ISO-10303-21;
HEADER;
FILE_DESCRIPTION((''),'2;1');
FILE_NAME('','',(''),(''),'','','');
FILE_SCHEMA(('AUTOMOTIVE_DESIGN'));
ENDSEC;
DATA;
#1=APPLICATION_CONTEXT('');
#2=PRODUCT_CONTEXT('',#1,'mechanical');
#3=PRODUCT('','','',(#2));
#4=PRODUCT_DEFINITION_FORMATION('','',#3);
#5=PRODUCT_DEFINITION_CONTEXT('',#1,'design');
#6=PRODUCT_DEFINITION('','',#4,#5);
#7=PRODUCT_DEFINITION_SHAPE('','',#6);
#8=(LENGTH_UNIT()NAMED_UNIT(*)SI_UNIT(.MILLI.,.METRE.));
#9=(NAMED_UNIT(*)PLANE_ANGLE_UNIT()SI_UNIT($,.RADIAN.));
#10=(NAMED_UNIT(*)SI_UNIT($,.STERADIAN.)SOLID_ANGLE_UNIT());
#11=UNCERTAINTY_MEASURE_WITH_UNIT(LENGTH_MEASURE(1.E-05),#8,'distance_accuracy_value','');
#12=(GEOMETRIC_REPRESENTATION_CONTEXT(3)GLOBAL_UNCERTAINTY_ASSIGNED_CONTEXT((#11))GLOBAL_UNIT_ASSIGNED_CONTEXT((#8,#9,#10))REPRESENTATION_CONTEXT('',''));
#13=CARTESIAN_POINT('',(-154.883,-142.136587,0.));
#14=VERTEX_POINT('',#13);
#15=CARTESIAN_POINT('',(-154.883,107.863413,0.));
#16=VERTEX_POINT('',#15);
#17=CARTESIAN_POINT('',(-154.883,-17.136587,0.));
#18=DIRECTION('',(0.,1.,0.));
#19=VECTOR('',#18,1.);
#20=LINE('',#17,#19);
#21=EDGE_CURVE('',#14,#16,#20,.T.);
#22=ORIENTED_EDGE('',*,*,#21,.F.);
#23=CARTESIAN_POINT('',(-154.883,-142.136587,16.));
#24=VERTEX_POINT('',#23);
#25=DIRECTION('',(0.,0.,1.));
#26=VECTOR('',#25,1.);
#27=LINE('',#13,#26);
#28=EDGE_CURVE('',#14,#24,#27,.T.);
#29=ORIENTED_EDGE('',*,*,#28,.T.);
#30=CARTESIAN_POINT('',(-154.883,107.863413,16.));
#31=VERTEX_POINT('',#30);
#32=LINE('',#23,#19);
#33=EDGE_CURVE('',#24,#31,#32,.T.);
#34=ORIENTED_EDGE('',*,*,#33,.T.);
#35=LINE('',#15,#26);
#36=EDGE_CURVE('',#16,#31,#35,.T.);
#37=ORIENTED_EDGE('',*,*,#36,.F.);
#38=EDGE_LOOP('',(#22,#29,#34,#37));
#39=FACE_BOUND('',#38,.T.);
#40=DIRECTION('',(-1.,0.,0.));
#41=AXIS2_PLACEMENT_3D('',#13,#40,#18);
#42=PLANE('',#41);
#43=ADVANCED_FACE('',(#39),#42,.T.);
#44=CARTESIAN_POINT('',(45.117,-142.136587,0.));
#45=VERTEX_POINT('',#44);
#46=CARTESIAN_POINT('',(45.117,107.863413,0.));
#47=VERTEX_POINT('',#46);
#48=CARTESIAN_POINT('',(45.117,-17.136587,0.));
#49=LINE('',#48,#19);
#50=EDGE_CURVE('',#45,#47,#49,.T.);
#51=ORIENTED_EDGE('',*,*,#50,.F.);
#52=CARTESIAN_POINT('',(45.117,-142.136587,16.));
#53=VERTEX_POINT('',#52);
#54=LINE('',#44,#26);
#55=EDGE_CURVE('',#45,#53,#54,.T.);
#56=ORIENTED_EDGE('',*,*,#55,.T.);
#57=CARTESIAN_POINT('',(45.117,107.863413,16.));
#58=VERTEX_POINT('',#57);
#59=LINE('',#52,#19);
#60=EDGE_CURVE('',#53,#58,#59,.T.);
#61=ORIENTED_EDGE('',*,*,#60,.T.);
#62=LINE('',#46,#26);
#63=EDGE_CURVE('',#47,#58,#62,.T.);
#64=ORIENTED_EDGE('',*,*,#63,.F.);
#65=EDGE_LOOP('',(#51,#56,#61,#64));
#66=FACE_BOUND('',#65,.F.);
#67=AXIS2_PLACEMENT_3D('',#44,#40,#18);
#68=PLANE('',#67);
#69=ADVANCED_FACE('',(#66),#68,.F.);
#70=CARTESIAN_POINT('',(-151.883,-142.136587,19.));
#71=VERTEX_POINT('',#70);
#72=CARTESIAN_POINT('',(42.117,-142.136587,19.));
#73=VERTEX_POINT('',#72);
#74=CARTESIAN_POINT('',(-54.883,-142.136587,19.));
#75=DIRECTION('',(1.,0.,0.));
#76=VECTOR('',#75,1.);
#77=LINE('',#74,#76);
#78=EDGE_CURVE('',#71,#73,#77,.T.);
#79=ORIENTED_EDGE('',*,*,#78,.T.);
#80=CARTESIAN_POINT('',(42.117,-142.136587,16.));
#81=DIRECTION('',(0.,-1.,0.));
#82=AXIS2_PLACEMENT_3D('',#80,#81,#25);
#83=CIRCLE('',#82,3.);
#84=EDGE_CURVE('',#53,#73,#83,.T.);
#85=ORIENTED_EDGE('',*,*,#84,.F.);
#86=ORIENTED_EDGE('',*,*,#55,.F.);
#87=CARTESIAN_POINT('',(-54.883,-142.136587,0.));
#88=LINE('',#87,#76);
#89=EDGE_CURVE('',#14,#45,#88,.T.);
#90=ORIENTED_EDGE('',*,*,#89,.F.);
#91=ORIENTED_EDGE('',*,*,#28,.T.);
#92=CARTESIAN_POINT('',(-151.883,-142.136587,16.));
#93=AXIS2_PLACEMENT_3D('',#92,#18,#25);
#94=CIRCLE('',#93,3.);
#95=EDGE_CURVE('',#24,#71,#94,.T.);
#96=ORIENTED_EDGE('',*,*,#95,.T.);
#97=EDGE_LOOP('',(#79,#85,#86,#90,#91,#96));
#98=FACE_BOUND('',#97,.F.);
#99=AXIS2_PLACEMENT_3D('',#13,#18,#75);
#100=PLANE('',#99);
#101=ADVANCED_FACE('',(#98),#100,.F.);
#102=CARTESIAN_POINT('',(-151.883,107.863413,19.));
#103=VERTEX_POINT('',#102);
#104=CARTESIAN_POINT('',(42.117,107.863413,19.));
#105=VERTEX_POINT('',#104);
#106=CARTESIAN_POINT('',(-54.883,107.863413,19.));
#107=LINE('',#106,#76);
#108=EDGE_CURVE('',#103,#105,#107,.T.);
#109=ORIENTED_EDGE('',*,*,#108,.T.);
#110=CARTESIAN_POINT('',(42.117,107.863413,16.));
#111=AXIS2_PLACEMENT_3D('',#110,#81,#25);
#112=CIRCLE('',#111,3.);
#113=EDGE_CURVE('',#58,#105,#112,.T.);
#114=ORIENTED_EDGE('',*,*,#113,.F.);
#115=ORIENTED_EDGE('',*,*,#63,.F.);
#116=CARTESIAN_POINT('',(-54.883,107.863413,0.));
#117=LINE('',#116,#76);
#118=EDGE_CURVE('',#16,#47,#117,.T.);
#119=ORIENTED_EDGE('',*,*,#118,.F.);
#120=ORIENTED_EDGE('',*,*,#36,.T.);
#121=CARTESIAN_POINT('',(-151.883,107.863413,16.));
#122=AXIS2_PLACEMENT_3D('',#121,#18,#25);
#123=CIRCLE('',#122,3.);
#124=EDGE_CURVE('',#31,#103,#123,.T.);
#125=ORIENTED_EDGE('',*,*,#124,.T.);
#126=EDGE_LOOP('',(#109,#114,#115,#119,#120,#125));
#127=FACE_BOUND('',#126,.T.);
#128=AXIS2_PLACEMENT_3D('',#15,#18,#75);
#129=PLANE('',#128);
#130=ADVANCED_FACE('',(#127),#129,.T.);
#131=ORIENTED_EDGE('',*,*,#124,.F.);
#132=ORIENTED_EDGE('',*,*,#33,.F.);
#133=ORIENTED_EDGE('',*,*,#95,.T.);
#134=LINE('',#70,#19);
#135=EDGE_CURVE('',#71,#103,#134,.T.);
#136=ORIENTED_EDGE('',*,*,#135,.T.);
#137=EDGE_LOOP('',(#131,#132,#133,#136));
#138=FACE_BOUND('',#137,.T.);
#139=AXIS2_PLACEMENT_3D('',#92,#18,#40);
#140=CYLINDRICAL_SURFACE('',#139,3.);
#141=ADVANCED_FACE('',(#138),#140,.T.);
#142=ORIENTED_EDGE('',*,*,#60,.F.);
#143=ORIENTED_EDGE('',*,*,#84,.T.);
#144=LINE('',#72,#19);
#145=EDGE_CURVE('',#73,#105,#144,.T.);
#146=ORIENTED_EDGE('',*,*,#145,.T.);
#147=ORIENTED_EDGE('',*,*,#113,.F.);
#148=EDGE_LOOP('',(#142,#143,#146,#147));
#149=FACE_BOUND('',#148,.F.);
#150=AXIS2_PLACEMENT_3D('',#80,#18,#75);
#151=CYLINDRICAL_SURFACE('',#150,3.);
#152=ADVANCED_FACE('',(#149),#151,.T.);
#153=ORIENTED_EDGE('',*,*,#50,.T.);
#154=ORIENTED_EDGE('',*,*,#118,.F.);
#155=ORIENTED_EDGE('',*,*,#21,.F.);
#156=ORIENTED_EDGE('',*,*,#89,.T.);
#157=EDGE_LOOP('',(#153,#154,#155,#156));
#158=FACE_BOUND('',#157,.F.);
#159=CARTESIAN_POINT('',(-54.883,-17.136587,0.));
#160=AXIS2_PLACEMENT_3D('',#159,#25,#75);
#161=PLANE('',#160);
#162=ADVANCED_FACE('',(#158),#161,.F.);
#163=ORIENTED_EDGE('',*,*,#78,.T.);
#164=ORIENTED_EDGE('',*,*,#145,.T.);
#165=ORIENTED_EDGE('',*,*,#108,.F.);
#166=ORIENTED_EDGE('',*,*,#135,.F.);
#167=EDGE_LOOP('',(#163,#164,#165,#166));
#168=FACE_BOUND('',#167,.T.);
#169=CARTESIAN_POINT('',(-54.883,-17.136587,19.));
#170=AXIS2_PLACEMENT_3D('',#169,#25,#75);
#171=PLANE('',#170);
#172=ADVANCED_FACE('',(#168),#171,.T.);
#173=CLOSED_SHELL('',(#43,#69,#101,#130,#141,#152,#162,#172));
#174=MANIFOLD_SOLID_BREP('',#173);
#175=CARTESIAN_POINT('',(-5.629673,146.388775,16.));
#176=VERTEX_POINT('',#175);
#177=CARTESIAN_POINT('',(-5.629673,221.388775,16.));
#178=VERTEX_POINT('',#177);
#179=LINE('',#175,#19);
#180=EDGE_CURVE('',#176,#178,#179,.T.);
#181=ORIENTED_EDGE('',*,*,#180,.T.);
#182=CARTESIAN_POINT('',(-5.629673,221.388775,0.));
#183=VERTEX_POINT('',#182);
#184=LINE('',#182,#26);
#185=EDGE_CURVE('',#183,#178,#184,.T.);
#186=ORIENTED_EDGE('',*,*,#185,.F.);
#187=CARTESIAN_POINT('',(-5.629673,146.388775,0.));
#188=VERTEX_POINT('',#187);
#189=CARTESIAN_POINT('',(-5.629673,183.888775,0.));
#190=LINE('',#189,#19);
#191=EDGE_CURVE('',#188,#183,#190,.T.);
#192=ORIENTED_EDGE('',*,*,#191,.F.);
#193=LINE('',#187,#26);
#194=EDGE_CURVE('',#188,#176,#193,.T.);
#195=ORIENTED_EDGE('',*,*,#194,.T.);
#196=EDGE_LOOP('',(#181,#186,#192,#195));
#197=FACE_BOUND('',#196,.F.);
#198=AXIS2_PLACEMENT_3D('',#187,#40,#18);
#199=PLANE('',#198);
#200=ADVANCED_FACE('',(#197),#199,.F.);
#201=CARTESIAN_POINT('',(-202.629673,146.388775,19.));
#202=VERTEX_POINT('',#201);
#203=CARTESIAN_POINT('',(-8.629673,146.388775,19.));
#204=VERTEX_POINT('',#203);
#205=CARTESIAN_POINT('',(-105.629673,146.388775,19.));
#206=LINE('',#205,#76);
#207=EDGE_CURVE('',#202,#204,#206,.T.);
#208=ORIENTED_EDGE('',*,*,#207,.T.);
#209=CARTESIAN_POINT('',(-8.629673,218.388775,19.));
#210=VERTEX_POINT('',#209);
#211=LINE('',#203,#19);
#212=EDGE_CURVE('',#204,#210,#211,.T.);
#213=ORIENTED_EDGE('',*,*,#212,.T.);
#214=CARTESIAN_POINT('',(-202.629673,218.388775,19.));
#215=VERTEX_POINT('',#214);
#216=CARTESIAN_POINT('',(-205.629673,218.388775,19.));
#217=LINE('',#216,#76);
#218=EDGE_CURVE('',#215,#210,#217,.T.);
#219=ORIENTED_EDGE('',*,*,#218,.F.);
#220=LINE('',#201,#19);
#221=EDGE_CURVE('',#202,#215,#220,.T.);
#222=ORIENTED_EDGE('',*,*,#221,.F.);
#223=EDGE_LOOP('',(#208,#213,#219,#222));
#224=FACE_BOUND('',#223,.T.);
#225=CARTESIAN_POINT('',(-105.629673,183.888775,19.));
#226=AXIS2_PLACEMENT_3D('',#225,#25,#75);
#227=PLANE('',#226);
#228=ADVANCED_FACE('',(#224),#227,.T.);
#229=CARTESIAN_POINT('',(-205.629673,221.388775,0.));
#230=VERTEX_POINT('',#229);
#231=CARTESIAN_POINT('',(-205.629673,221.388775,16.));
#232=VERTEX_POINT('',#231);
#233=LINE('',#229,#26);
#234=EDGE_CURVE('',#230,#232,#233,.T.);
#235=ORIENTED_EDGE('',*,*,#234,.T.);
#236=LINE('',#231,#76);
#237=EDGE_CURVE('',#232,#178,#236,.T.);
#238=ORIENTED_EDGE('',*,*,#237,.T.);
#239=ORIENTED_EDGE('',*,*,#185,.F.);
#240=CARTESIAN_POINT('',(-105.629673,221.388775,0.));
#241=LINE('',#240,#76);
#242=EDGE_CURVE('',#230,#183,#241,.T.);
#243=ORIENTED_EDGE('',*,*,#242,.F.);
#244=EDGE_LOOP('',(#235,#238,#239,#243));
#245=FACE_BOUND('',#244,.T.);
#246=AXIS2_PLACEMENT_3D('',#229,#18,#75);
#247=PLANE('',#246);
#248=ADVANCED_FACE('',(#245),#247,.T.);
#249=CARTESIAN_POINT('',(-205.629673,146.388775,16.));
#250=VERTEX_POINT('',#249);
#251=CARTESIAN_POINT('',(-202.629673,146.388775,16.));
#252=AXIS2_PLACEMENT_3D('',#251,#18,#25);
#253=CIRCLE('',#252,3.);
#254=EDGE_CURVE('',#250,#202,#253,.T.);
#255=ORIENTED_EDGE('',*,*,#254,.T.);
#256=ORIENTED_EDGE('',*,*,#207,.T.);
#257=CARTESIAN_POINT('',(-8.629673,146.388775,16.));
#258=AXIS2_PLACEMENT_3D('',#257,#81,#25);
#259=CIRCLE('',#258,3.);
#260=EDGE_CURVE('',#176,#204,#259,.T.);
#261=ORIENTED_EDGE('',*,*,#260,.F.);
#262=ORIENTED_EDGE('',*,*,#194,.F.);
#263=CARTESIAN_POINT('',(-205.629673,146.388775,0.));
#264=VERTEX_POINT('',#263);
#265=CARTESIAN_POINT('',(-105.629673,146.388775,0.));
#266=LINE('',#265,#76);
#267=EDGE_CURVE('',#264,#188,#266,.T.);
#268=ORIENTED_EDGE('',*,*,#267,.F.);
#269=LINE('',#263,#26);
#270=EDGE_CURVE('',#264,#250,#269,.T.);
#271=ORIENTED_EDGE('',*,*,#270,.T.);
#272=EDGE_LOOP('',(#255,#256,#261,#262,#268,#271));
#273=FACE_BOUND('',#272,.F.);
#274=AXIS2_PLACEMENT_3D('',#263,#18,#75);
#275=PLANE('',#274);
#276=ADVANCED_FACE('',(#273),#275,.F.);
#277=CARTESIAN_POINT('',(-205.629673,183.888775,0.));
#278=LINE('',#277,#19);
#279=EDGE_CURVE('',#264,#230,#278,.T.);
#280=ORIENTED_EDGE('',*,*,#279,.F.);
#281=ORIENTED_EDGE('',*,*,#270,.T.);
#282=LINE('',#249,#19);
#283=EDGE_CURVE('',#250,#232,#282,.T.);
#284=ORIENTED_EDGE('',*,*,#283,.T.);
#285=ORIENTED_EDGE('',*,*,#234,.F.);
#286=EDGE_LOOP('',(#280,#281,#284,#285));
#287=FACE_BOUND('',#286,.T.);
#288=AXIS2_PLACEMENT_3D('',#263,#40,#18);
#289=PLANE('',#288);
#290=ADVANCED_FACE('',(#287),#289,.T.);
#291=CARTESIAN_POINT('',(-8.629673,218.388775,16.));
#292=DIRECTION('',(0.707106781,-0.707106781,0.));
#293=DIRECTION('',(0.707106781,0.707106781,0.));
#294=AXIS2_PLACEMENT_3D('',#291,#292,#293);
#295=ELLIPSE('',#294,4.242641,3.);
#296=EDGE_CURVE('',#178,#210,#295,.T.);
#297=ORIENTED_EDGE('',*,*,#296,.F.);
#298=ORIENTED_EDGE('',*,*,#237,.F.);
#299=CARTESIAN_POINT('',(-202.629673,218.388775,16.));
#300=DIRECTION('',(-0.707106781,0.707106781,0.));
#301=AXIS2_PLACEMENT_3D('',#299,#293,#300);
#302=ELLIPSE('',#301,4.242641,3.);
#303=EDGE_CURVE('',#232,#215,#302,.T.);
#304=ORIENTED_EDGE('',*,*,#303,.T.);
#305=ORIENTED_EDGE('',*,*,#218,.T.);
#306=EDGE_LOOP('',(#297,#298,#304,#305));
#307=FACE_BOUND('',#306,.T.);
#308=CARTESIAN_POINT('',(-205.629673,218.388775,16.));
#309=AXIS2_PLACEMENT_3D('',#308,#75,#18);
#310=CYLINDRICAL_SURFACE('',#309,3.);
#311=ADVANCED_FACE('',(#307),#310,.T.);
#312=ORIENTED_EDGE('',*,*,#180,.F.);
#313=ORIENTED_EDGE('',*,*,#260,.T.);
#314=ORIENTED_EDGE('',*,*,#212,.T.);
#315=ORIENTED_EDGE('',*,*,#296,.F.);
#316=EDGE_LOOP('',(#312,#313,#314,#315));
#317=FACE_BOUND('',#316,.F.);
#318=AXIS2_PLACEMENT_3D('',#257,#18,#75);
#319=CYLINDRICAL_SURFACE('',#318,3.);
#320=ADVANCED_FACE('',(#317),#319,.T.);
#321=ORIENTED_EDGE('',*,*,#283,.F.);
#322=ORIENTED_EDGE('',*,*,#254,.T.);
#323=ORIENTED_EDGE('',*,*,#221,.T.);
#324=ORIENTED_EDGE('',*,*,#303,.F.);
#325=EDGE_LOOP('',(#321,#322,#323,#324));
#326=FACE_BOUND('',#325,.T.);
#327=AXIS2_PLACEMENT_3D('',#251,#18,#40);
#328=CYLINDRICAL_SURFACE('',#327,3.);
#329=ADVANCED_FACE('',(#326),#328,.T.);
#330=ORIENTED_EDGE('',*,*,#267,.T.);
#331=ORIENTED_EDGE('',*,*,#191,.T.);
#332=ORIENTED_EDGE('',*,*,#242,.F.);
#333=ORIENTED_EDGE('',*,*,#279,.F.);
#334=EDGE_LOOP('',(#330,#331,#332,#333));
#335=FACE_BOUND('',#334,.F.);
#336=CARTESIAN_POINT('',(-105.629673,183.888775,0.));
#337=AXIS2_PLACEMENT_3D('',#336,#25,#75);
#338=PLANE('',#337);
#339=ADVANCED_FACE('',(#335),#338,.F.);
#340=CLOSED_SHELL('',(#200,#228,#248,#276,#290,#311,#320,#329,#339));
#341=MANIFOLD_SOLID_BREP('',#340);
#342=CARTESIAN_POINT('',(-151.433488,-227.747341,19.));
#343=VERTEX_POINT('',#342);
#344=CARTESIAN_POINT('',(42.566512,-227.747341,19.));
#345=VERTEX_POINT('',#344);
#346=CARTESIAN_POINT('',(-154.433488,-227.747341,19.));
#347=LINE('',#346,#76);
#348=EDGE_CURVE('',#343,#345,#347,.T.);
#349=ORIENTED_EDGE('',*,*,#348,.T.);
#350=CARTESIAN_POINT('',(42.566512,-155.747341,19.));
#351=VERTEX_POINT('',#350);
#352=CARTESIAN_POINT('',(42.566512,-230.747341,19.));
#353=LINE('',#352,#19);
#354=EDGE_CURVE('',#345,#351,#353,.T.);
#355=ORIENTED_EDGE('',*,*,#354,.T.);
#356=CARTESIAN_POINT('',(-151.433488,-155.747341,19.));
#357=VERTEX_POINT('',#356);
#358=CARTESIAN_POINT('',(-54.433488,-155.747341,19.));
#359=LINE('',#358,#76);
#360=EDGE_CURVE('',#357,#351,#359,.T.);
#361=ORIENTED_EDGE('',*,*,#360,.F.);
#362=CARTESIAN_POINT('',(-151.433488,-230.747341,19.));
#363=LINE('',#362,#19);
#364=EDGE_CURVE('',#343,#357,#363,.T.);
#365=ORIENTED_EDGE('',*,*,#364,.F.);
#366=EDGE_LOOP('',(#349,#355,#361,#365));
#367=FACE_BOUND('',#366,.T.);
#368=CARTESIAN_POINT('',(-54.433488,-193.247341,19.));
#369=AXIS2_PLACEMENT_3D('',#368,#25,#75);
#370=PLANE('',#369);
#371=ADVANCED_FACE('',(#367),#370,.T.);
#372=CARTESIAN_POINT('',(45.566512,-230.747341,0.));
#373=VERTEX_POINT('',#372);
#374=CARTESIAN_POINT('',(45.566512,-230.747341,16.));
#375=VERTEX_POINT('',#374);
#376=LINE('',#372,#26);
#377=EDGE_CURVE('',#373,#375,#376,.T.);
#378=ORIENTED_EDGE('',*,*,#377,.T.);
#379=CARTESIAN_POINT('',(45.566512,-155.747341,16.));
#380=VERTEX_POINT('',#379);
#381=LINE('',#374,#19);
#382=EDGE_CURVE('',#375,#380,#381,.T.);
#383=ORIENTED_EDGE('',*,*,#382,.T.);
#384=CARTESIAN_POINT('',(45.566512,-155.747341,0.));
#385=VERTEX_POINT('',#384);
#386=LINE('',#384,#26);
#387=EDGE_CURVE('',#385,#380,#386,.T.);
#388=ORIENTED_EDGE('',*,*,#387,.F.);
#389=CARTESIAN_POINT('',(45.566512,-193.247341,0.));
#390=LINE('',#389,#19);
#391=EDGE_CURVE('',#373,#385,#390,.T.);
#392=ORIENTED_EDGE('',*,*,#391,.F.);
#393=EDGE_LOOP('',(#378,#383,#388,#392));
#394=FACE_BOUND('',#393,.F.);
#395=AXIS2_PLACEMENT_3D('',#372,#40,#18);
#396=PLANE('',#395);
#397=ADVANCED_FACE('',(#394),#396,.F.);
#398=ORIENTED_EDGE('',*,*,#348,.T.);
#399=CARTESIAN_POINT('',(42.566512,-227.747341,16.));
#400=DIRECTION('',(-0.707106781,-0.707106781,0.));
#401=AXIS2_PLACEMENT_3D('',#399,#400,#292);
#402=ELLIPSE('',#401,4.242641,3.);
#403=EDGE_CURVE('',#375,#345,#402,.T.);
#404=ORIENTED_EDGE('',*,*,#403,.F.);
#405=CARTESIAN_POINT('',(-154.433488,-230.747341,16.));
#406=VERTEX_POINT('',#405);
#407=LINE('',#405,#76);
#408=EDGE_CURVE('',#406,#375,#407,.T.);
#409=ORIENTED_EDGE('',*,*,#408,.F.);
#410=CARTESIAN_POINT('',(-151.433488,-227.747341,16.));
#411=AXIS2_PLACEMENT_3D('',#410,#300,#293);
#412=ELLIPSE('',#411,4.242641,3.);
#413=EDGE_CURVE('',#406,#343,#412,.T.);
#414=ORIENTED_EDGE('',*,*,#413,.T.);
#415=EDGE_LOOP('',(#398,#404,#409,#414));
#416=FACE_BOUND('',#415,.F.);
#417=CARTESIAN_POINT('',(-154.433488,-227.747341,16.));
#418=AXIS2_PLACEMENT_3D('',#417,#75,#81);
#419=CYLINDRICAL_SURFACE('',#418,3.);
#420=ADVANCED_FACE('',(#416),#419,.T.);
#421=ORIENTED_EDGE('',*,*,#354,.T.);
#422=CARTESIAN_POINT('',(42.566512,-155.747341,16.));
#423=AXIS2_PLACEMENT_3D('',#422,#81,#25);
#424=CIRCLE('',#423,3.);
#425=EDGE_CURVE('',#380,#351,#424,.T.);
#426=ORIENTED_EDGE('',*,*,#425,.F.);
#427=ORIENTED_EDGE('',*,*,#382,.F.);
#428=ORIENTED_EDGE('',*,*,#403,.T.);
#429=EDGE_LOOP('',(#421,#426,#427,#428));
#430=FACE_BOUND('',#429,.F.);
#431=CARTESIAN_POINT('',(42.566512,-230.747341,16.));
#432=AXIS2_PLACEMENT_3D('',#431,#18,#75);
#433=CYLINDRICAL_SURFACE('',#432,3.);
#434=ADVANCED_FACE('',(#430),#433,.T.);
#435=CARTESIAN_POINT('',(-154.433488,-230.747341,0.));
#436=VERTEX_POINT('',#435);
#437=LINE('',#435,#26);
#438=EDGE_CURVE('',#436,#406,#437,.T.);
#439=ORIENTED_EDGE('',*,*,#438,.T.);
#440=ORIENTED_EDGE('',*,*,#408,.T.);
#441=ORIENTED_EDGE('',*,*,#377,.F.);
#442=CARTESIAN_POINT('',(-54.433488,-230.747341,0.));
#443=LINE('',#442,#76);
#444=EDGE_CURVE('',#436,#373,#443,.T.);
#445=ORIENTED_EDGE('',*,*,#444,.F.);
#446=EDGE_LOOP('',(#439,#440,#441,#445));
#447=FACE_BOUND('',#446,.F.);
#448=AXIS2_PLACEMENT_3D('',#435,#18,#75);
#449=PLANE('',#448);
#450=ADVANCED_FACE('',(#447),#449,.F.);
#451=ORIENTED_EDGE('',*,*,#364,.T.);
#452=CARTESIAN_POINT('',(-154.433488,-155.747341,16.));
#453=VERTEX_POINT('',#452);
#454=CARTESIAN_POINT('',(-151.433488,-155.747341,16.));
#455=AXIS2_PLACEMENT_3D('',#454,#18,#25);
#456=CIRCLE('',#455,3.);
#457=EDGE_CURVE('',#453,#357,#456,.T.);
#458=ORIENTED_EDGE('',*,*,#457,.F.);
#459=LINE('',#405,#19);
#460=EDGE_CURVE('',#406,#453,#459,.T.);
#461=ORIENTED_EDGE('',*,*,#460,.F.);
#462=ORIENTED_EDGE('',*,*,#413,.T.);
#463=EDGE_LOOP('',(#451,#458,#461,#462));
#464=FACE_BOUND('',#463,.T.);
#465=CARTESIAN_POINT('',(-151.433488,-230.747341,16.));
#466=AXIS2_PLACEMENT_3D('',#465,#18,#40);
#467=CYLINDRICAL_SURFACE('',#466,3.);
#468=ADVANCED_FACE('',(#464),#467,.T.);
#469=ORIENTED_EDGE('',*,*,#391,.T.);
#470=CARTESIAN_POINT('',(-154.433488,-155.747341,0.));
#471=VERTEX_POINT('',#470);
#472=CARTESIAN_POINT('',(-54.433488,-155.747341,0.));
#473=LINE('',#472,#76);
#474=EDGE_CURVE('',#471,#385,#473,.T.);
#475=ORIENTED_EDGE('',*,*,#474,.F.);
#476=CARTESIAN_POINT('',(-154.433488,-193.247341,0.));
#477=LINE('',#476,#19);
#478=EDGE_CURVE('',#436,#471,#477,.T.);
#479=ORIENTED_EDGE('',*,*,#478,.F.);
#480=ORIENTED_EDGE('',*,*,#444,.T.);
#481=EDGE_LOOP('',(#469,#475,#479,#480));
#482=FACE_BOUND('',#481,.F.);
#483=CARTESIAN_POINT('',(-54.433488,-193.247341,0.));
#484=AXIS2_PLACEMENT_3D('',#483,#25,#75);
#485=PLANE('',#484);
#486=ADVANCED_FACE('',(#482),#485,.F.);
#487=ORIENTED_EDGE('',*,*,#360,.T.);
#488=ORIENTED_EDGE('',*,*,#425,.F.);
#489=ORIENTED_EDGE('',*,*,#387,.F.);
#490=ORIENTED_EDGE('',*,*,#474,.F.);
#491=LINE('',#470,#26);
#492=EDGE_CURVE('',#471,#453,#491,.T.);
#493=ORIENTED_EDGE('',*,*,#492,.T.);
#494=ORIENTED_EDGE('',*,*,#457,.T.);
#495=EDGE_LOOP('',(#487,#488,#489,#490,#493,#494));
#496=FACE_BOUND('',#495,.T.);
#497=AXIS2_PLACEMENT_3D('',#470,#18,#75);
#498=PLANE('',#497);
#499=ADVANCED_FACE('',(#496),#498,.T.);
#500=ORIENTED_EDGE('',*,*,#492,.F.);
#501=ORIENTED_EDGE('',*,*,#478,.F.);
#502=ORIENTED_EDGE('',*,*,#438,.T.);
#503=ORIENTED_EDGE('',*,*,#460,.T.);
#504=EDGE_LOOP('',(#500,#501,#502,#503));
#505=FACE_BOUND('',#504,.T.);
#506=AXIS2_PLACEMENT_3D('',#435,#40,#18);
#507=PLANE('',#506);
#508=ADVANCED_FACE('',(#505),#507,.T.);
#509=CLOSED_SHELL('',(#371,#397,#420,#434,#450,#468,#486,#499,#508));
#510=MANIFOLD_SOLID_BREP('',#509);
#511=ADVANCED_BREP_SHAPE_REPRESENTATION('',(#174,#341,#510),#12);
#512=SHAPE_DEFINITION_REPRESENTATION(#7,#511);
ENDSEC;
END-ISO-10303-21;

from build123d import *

# Parameters (mm, degrees)
F0_W     = 200
F0_H     = 250
F3_DEPTH = 19
F1_W     = 200
F1_H     = 75
F4_DEPTH = 19
F2_W     = 200
F2_H     = 75
F5_DEPTH = 19
F6_R     = 3
F6_2_R   = 3
F6_3_R   = 3


with BuildPart() as f3:
    # F0 (on Top) → F3 (new body)
    with BuildSketch(Plane.XY):
        with Locations((-54.883, -17.136587)):
            Rectangle(F0_W, F0_H)
    extrude(amount=F3_DEPTH)

    # F6#2
    f6_2_edges = [f3.edges().sort_by_distance(p)[0] for p in [
        (45.117, -17.136587, 19),
        (-154.883, -17.136587, 19),
    ]]
    fillet(f6_2_edges, radius=F6_2_R)


with BuildPart() as f4:
    # F1 (on Top) → F4 (new body)
    with BuildSketch(Plane.XY):
        with Locations((-54.433488, -193.247341)):
            Rectangle(F1_W, F1_H)
    extrude(amount=F4_DEPTH)

    # F6#3
    f6_3_edges = [f4.edges().sort_by_distance(p)[0] for p in [
        (-154.433488, -193.247341, 19),
        (-54.433488, -230.747341, 19),
        (45.566512, -193.247341, 19),
    ]]
    fillet(f6_3_edges, radius=F6_3_R)


with BuildPart() as f5:
    # F2 (on Top) → F5 (new body)
    with BuildSketch(Plane.XY):
        with Locations((-105.629673, 183.888775)):
            Rectangle(F2_W, F2_H)
    extrude(amount=F5_DEPTH)

    # F6
    f6_edges = [f5.edges().sort_by_distance(p)[0] for p in [
        (-205.629673, 183.888775, 19),
        (-105.629673, 221.388775, 19),
        (-5.629673, 183.888775, 19),
    ]]
    fillet(f6_edges, radius=F6_R)


solid = Compound([f3.part, f4.part, f5.part])
